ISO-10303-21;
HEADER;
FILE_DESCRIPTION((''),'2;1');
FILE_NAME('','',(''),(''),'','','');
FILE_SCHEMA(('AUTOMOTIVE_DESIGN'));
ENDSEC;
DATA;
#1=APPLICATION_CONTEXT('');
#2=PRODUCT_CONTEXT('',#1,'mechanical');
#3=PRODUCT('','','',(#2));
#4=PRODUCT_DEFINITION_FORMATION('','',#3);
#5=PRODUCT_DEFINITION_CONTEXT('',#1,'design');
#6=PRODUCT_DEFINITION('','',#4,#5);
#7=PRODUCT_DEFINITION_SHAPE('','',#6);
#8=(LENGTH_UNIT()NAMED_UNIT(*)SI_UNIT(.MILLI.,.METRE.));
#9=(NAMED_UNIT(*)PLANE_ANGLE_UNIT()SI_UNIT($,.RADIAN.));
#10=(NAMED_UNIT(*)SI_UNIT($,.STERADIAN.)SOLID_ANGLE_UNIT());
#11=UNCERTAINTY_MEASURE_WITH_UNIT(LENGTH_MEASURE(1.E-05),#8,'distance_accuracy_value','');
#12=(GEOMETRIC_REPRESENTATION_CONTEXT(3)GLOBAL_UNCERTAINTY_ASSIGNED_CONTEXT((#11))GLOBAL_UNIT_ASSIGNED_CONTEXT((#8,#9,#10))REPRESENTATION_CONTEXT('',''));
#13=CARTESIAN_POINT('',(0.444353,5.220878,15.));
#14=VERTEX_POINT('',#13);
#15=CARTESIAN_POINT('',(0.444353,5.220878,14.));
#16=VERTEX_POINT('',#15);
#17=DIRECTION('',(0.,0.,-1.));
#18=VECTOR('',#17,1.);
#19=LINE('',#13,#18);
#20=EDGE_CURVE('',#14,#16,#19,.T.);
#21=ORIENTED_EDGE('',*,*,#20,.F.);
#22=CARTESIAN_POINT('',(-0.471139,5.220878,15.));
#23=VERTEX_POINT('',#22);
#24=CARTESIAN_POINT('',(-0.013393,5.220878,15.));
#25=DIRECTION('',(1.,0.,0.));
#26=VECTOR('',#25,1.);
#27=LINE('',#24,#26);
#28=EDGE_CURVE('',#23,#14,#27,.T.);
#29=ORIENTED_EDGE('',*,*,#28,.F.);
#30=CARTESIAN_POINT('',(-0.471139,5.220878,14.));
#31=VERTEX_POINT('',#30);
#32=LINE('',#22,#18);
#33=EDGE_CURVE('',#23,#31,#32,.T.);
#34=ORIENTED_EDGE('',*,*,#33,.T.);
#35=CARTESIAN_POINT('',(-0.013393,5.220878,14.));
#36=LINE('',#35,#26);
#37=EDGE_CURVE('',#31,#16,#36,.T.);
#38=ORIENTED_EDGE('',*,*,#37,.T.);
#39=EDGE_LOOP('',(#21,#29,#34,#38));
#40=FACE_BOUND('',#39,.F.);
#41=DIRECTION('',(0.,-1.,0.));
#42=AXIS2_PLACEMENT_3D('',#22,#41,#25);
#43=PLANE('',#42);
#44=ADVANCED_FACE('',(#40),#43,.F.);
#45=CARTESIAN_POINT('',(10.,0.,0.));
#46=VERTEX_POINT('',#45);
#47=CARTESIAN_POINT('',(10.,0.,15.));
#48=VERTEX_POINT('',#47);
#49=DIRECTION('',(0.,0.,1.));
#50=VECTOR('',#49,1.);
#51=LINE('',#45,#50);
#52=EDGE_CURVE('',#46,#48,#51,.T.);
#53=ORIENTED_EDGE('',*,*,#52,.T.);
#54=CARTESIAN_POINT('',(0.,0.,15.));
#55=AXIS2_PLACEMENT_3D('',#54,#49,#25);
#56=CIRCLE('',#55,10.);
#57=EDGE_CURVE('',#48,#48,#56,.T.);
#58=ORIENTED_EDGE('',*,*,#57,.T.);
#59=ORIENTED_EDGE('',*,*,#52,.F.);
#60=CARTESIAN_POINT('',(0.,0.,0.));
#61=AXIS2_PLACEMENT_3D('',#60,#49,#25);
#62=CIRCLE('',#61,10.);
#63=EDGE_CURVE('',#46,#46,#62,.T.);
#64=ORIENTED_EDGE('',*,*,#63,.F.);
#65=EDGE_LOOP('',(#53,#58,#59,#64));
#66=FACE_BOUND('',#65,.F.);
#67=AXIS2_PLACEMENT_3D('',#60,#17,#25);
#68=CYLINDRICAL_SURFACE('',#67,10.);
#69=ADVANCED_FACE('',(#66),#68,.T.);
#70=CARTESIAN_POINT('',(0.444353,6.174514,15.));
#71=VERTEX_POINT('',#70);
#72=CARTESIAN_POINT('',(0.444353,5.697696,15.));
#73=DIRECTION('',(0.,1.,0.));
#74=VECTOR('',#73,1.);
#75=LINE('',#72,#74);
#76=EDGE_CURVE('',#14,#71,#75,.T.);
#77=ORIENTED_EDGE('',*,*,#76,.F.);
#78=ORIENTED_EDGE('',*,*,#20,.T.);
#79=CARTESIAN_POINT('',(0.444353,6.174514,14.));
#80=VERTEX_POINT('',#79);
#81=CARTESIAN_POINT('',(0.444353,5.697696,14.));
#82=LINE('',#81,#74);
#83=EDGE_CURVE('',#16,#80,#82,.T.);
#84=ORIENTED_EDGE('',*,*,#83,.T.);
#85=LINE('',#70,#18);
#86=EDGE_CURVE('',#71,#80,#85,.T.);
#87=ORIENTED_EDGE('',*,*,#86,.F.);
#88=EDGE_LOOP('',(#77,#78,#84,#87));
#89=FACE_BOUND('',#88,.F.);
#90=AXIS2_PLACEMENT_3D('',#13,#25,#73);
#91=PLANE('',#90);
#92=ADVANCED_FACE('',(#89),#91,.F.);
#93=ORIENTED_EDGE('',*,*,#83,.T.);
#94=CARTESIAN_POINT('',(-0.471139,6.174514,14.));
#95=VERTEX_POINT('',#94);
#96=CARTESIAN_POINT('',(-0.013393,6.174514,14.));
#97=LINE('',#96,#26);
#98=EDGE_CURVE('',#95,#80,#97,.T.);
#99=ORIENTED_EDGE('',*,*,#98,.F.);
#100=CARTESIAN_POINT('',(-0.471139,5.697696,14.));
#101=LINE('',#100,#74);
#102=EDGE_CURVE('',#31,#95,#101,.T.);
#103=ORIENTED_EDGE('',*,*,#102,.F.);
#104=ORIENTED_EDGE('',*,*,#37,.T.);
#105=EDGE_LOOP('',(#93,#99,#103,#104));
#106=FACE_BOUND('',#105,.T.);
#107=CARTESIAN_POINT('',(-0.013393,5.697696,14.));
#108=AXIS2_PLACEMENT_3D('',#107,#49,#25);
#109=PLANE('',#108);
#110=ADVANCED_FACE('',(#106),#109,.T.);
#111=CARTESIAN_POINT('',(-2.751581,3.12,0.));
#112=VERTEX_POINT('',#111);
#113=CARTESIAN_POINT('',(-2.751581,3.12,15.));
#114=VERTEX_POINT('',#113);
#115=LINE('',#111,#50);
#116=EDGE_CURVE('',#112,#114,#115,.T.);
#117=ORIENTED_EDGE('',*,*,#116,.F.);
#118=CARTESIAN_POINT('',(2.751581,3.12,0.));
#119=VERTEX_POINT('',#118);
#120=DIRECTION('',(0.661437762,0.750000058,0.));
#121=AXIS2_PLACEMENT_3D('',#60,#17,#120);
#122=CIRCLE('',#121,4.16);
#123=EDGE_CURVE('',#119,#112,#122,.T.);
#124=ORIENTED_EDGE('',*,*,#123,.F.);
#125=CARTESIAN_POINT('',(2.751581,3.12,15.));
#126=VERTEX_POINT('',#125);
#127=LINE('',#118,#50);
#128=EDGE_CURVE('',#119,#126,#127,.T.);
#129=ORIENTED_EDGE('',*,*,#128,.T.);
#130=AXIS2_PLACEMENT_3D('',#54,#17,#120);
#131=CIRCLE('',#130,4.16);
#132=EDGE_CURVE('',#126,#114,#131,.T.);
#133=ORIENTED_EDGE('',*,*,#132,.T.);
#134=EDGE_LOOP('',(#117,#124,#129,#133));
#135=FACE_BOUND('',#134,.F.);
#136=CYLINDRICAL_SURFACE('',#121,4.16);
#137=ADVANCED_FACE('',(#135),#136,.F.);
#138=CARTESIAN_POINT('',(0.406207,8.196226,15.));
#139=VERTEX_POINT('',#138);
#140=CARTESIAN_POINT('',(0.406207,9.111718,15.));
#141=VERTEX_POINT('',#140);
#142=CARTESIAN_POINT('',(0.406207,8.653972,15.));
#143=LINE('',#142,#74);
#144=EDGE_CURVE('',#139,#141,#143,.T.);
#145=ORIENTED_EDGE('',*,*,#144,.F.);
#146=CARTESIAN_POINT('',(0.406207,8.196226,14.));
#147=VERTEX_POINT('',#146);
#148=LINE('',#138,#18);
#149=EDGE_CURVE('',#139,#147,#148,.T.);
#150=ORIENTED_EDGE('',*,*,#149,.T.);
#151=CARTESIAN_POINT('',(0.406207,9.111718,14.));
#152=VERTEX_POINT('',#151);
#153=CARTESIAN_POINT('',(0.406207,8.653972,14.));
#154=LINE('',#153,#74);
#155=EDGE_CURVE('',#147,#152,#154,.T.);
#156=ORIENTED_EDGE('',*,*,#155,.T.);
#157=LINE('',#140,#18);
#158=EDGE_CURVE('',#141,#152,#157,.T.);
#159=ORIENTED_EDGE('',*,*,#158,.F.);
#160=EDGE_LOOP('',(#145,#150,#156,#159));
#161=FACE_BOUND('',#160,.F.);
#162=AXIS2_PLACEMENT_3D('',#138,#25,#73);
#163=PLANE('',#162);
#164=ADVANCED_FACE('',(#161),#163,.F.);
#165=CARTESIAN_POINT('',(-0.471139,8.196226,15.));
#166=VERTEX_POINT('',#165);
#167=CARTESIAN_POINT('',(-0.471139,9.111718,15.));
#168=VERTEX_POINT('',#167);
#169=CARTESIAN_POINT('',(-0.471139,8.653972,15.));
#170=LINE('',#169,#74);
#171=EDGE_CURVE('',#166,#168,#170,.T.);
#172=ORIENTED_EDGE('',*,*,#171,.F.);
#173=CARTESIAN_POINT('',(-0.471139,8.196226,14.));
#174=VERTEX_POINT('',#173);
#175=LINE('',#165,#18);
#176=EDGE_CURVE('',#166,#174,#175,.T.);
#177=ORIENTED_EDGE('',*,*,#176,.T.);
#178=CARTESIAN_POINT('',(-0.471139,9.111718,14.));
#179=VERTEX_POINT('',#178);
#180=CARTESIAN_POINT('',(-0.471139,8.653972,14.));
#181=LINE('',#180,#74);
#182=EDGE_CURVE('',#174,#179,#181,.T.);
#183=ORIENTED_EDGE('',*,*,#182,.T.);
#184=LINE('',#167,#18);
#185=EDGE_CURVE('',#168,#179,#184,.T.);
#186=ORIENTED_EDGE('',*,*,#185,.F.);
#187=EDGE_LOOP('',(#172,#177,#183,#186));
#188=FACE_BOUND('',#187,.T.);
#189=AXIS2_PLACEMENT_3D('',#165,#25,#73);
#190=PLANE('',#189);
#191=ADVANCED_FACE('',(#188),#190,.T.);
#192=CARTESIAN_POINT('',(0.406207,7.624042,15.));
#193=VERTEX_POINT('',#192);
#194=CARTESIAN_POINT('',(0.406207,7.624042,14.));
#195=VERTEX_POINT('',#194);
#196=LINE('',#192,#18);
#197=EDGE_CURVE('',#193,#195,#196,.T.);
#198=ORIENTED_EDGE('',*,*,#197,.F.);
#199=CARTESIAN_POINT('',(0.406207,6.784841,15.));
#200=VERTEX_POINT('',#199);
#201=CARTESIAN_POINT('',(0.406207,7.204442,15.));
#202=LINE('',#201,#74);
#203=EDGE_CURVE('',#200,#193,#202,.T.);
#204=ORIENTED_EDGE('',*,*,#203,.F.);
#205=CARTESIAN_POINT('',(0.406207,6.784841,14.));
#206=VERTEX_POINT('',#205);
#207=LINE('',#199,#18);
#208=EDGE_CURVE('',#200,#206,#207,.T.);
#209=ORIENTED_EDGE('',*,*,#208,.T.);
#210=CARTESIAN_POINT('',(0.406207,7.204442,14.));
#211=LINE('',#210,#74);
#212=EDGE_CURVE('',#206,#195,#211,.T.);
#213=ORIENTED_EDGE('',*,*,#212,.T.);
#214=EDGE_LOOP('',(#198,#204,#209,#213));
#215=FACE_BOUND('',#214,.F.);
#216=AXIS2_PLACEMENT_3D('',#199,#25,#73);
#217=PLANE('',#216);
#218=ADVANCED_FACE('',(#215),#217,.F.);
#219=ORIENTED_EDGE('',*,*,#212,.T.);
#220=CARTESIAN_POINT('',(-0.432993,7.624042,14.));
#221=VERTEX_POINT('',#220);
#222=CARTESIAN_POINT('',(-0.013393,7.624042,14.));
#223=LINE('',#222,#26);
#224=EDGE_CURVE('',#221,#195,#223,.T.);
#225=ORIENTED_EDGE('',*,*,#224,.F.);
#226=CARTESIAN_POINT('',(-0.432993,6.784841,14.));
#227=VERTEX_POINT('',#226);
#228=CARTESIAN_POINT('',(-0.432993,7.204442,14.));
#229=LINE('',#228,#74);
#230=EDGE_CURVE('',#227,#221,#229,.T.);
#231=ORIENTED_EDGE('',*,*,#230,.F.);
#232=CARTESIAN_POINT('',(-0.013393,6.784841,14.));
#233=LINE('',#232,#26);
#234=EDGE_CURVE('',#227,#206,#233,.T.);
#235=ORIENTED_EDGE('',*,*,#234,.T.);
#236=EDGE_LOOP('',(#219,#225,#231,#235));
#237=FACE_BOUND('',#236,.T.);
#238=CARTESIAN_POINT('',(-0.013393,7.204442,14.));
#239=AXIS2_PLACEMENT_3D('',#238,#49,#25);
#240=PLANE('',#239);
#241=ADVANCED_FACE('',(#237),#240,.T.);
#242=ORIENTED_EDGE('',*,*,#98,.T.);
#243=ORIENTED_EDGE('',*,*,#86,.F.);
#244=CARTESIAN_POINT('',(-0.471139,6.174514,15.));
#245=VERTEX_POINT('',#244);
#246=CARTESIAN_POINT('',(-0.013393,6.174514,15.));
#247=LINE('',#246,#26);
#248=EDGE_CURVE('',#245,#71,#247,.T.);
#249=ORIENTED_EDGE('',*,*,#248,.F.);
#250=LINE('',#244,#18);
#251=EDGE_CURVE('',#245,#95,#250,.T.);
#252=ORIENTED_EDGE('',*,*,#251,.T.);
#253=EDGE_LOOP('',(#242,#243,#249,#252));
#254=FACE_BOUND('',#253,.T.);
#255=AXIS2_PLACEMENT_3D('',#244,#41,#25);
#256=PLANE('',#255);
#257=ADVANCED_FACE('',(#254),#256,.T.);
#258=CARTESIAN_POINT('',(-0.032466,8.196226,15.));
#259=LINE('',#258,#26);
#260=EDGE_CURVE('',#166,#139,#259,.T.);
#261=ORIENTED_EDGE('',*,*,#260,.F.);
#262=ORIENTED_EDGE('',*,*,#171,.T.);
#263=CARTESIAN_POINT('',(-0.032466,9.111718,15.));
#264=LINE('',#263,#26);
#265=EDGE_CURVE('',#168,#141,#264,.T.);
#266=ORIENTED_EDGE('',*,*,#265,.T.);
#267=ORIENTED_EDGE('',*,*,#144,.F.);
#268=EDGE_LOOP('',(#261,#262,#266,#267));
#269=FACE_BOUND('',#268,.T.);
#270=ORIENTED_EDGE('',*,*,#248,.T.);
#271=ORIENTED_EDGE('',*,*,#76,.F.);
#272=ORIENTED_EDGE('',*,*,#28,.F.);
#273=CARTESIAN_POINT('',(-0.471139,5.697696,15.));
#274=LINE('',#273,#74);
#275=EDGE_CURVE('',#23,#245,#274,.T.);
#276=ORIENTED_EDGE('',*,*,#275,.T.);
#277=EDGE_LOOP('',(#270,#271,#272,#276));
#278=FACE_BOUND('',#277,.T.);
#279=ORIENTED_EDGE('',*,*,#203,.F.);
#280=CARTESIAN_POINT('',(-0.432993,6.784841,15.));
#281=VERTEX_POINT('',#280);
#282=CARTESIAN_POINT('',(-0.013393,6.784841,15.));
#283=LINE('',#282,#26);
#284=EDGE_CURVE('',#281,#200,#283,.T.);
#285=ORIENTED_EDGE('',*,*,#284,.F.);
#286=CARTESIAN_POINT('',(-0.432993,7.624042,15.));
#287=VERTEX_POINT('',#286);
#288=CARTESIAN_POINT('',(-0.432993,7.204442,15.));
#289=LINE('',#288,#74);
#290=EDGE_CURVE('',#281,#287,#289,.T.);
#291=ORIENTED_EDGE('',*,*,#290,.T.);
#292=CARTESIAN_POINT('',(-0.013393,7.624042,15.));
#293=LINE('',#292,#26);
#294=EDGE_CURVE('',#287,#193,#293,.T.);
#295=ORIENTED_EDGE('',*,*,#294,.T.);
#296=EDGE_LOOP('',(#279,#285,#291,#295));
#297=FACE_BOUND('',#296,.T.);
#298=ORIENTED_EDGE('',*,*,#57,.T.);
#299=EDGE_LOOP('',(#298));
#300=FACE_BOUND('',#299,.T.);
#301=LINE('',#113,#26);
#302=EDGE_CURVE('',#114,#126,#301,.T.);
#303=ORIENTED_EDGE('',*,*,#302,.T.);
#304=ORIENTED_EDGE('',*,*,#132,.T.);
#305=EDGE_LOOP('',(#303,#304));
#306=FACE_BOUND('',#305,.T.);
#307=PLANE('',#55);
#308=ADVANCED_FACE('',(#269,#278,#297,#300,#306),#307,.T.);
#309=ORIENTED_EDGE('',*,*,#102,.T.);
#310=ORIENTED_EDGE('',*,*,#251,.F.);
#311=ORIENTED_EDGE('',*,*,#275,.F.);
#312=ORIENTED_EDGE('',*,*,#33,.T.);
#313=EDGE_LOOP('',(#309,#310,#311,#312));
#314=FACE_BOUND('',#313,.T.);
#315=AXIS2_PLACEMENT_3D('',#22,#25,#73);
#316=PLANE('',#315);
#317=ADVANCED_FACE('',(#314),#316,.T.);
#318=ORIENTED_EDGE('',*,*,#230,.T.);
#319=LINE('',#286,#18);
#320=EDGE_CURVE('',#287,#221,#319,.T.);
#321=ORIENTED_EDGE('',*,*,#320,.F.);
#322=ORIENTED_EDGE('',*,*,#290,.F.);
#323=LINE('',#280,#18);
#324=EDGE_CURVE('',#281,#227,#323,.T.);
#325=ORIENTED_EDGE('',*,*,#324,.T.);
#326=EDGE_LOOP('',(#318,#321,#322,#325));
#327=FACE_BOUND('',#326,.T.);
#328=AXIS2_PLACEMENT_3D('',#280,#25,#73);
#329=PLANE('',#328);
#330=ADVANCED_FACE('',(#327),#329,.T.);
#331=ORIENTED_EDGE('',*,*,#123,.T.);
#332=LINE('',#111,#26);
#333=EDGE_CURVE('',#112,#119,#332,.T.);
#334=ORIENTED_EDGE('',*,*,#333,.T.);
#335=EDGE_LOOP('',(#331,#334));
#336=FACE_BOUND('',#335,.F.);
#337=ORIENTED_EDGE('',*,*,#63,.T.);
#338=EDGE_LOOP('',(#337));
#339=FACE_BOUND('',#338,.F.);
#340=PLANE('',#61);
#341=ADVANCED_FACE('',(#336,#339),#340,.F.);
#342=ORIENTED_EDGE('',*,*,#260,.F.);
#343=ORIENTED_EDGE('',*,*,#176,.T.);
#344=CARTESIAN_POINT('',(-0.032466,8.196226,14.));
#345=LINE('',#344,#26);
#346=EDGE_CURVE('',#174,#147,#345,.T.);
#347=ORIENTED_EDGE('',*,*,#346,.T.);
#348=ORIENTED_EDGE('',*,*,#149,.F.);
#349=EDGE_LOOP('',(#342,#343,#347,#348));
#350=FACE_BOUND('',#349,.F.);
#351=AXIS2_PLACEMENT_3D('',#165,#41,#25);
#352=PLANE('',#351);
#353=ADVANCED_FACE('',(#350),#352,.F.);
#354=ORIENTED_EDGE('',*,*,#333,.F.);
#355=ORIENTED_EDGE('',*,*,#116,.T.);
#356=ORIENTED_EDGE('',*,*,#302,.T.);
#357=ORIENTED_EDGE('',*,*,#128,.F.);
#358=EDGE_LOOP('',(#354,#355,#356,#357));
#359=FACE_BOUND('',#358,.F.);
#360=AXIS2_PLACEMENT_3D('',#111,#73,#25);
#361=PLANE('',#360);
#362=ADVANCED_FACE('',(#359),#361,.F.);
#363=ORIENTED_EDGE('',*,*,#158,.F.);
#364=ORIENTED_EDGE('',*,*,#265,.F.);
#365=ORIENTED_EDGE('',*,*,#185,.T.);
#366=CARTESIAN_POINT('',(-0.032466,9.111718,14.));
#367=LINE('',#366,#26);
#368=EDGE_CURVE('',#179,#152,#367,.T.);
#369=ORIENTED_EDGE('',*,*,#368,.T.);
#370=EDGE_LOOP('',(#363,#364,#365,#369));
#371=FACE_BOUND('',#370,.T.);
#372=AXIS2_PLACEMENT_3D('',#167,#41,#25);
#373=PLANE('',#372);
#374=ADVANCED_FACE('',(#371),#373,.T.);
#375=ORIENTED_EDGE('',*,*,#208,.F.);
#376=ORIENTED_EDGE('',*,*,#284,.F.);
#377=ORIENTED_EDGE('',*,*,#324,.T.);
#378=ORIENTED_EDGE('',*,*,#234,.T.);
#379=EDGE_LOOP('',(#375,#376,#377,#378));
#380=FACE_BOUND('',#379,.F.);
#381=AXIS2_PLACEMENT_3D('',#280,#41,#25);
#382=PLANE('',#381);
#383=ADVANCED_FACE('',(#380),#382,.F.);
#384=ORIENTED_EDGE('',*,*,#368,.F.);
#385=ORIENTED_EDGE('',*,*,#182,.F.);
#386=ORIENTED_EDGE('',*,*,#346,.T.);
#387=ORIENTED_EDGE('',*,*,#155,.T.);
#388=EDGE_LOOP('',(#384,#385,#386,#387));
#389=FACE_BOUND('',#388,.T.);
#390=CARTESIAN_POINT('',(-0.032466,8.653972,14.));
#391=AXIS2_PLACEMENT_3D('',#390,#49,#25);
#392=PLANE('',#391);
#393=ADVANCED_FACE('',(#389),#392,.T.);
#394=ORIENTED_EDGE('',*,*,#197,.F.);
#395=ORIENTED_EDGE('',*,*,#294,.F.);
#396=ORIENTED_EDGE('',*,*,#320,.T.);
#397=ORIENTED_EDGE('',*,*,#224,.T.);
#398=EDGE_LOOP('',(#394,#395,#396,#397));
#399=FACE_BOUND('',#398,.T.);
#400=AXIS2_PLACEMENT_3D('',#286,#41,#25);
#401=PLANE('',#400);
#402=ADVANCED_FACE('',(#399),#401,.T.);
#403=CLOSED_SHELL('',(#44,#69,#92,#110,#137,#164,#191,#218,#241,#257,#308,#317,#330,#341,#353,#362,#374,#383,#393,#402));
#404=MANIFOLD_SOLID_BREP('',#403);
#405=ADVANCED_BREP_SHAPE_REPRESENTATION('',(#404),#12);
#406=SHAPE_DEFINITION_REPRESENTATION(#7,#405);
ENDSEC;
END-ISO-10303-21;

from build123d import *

# Parameters (mm, degrees)
F0_R     = 10
F1_DEPTH = 15
F2_W     = 0.877347
F2_H     = 0.915492
F2_W_2   = 0.839201
F2_H_2   = 0.839201
F2_W_3   = 0.915492
F2_H_3   = 0.953637
F3_DEPTH = 1


with BuildPart() as f1:
    # F0 (on Top) → F1 (new body)
    with BuildSketch(Plane.XY):
        Circle(F0_R)
        with BuildLine():
            ThreePointArc((2.751581, 3.12), (0, -4.16), (-2.751581, 3.12))
            Line((-2.751581, 3.12), (2.751581, 3.12))
        make_face(mode=Mode.SUBTRACT)
    extrude(amount=F1_DEPTH)

    # F2 (on face) → F3 (cut)
    with BuildSketch(Plane.XY.offset(15)):
        with Locations((-0.032466, 8.653972)):
            Rectangle(F2_W, F2_H)
        with Locations((-0.013393, 7.204442)):
            Rectangle(F2_W_2, F2_H_2)
        with Locations((-0.013393, 5.697696)):
            Rectangle(F2_W_3, F2_H_3)
    extrude(amount=-F3_DEPTH, mode=Mode.SUBTRACT)


solid = f1.part
